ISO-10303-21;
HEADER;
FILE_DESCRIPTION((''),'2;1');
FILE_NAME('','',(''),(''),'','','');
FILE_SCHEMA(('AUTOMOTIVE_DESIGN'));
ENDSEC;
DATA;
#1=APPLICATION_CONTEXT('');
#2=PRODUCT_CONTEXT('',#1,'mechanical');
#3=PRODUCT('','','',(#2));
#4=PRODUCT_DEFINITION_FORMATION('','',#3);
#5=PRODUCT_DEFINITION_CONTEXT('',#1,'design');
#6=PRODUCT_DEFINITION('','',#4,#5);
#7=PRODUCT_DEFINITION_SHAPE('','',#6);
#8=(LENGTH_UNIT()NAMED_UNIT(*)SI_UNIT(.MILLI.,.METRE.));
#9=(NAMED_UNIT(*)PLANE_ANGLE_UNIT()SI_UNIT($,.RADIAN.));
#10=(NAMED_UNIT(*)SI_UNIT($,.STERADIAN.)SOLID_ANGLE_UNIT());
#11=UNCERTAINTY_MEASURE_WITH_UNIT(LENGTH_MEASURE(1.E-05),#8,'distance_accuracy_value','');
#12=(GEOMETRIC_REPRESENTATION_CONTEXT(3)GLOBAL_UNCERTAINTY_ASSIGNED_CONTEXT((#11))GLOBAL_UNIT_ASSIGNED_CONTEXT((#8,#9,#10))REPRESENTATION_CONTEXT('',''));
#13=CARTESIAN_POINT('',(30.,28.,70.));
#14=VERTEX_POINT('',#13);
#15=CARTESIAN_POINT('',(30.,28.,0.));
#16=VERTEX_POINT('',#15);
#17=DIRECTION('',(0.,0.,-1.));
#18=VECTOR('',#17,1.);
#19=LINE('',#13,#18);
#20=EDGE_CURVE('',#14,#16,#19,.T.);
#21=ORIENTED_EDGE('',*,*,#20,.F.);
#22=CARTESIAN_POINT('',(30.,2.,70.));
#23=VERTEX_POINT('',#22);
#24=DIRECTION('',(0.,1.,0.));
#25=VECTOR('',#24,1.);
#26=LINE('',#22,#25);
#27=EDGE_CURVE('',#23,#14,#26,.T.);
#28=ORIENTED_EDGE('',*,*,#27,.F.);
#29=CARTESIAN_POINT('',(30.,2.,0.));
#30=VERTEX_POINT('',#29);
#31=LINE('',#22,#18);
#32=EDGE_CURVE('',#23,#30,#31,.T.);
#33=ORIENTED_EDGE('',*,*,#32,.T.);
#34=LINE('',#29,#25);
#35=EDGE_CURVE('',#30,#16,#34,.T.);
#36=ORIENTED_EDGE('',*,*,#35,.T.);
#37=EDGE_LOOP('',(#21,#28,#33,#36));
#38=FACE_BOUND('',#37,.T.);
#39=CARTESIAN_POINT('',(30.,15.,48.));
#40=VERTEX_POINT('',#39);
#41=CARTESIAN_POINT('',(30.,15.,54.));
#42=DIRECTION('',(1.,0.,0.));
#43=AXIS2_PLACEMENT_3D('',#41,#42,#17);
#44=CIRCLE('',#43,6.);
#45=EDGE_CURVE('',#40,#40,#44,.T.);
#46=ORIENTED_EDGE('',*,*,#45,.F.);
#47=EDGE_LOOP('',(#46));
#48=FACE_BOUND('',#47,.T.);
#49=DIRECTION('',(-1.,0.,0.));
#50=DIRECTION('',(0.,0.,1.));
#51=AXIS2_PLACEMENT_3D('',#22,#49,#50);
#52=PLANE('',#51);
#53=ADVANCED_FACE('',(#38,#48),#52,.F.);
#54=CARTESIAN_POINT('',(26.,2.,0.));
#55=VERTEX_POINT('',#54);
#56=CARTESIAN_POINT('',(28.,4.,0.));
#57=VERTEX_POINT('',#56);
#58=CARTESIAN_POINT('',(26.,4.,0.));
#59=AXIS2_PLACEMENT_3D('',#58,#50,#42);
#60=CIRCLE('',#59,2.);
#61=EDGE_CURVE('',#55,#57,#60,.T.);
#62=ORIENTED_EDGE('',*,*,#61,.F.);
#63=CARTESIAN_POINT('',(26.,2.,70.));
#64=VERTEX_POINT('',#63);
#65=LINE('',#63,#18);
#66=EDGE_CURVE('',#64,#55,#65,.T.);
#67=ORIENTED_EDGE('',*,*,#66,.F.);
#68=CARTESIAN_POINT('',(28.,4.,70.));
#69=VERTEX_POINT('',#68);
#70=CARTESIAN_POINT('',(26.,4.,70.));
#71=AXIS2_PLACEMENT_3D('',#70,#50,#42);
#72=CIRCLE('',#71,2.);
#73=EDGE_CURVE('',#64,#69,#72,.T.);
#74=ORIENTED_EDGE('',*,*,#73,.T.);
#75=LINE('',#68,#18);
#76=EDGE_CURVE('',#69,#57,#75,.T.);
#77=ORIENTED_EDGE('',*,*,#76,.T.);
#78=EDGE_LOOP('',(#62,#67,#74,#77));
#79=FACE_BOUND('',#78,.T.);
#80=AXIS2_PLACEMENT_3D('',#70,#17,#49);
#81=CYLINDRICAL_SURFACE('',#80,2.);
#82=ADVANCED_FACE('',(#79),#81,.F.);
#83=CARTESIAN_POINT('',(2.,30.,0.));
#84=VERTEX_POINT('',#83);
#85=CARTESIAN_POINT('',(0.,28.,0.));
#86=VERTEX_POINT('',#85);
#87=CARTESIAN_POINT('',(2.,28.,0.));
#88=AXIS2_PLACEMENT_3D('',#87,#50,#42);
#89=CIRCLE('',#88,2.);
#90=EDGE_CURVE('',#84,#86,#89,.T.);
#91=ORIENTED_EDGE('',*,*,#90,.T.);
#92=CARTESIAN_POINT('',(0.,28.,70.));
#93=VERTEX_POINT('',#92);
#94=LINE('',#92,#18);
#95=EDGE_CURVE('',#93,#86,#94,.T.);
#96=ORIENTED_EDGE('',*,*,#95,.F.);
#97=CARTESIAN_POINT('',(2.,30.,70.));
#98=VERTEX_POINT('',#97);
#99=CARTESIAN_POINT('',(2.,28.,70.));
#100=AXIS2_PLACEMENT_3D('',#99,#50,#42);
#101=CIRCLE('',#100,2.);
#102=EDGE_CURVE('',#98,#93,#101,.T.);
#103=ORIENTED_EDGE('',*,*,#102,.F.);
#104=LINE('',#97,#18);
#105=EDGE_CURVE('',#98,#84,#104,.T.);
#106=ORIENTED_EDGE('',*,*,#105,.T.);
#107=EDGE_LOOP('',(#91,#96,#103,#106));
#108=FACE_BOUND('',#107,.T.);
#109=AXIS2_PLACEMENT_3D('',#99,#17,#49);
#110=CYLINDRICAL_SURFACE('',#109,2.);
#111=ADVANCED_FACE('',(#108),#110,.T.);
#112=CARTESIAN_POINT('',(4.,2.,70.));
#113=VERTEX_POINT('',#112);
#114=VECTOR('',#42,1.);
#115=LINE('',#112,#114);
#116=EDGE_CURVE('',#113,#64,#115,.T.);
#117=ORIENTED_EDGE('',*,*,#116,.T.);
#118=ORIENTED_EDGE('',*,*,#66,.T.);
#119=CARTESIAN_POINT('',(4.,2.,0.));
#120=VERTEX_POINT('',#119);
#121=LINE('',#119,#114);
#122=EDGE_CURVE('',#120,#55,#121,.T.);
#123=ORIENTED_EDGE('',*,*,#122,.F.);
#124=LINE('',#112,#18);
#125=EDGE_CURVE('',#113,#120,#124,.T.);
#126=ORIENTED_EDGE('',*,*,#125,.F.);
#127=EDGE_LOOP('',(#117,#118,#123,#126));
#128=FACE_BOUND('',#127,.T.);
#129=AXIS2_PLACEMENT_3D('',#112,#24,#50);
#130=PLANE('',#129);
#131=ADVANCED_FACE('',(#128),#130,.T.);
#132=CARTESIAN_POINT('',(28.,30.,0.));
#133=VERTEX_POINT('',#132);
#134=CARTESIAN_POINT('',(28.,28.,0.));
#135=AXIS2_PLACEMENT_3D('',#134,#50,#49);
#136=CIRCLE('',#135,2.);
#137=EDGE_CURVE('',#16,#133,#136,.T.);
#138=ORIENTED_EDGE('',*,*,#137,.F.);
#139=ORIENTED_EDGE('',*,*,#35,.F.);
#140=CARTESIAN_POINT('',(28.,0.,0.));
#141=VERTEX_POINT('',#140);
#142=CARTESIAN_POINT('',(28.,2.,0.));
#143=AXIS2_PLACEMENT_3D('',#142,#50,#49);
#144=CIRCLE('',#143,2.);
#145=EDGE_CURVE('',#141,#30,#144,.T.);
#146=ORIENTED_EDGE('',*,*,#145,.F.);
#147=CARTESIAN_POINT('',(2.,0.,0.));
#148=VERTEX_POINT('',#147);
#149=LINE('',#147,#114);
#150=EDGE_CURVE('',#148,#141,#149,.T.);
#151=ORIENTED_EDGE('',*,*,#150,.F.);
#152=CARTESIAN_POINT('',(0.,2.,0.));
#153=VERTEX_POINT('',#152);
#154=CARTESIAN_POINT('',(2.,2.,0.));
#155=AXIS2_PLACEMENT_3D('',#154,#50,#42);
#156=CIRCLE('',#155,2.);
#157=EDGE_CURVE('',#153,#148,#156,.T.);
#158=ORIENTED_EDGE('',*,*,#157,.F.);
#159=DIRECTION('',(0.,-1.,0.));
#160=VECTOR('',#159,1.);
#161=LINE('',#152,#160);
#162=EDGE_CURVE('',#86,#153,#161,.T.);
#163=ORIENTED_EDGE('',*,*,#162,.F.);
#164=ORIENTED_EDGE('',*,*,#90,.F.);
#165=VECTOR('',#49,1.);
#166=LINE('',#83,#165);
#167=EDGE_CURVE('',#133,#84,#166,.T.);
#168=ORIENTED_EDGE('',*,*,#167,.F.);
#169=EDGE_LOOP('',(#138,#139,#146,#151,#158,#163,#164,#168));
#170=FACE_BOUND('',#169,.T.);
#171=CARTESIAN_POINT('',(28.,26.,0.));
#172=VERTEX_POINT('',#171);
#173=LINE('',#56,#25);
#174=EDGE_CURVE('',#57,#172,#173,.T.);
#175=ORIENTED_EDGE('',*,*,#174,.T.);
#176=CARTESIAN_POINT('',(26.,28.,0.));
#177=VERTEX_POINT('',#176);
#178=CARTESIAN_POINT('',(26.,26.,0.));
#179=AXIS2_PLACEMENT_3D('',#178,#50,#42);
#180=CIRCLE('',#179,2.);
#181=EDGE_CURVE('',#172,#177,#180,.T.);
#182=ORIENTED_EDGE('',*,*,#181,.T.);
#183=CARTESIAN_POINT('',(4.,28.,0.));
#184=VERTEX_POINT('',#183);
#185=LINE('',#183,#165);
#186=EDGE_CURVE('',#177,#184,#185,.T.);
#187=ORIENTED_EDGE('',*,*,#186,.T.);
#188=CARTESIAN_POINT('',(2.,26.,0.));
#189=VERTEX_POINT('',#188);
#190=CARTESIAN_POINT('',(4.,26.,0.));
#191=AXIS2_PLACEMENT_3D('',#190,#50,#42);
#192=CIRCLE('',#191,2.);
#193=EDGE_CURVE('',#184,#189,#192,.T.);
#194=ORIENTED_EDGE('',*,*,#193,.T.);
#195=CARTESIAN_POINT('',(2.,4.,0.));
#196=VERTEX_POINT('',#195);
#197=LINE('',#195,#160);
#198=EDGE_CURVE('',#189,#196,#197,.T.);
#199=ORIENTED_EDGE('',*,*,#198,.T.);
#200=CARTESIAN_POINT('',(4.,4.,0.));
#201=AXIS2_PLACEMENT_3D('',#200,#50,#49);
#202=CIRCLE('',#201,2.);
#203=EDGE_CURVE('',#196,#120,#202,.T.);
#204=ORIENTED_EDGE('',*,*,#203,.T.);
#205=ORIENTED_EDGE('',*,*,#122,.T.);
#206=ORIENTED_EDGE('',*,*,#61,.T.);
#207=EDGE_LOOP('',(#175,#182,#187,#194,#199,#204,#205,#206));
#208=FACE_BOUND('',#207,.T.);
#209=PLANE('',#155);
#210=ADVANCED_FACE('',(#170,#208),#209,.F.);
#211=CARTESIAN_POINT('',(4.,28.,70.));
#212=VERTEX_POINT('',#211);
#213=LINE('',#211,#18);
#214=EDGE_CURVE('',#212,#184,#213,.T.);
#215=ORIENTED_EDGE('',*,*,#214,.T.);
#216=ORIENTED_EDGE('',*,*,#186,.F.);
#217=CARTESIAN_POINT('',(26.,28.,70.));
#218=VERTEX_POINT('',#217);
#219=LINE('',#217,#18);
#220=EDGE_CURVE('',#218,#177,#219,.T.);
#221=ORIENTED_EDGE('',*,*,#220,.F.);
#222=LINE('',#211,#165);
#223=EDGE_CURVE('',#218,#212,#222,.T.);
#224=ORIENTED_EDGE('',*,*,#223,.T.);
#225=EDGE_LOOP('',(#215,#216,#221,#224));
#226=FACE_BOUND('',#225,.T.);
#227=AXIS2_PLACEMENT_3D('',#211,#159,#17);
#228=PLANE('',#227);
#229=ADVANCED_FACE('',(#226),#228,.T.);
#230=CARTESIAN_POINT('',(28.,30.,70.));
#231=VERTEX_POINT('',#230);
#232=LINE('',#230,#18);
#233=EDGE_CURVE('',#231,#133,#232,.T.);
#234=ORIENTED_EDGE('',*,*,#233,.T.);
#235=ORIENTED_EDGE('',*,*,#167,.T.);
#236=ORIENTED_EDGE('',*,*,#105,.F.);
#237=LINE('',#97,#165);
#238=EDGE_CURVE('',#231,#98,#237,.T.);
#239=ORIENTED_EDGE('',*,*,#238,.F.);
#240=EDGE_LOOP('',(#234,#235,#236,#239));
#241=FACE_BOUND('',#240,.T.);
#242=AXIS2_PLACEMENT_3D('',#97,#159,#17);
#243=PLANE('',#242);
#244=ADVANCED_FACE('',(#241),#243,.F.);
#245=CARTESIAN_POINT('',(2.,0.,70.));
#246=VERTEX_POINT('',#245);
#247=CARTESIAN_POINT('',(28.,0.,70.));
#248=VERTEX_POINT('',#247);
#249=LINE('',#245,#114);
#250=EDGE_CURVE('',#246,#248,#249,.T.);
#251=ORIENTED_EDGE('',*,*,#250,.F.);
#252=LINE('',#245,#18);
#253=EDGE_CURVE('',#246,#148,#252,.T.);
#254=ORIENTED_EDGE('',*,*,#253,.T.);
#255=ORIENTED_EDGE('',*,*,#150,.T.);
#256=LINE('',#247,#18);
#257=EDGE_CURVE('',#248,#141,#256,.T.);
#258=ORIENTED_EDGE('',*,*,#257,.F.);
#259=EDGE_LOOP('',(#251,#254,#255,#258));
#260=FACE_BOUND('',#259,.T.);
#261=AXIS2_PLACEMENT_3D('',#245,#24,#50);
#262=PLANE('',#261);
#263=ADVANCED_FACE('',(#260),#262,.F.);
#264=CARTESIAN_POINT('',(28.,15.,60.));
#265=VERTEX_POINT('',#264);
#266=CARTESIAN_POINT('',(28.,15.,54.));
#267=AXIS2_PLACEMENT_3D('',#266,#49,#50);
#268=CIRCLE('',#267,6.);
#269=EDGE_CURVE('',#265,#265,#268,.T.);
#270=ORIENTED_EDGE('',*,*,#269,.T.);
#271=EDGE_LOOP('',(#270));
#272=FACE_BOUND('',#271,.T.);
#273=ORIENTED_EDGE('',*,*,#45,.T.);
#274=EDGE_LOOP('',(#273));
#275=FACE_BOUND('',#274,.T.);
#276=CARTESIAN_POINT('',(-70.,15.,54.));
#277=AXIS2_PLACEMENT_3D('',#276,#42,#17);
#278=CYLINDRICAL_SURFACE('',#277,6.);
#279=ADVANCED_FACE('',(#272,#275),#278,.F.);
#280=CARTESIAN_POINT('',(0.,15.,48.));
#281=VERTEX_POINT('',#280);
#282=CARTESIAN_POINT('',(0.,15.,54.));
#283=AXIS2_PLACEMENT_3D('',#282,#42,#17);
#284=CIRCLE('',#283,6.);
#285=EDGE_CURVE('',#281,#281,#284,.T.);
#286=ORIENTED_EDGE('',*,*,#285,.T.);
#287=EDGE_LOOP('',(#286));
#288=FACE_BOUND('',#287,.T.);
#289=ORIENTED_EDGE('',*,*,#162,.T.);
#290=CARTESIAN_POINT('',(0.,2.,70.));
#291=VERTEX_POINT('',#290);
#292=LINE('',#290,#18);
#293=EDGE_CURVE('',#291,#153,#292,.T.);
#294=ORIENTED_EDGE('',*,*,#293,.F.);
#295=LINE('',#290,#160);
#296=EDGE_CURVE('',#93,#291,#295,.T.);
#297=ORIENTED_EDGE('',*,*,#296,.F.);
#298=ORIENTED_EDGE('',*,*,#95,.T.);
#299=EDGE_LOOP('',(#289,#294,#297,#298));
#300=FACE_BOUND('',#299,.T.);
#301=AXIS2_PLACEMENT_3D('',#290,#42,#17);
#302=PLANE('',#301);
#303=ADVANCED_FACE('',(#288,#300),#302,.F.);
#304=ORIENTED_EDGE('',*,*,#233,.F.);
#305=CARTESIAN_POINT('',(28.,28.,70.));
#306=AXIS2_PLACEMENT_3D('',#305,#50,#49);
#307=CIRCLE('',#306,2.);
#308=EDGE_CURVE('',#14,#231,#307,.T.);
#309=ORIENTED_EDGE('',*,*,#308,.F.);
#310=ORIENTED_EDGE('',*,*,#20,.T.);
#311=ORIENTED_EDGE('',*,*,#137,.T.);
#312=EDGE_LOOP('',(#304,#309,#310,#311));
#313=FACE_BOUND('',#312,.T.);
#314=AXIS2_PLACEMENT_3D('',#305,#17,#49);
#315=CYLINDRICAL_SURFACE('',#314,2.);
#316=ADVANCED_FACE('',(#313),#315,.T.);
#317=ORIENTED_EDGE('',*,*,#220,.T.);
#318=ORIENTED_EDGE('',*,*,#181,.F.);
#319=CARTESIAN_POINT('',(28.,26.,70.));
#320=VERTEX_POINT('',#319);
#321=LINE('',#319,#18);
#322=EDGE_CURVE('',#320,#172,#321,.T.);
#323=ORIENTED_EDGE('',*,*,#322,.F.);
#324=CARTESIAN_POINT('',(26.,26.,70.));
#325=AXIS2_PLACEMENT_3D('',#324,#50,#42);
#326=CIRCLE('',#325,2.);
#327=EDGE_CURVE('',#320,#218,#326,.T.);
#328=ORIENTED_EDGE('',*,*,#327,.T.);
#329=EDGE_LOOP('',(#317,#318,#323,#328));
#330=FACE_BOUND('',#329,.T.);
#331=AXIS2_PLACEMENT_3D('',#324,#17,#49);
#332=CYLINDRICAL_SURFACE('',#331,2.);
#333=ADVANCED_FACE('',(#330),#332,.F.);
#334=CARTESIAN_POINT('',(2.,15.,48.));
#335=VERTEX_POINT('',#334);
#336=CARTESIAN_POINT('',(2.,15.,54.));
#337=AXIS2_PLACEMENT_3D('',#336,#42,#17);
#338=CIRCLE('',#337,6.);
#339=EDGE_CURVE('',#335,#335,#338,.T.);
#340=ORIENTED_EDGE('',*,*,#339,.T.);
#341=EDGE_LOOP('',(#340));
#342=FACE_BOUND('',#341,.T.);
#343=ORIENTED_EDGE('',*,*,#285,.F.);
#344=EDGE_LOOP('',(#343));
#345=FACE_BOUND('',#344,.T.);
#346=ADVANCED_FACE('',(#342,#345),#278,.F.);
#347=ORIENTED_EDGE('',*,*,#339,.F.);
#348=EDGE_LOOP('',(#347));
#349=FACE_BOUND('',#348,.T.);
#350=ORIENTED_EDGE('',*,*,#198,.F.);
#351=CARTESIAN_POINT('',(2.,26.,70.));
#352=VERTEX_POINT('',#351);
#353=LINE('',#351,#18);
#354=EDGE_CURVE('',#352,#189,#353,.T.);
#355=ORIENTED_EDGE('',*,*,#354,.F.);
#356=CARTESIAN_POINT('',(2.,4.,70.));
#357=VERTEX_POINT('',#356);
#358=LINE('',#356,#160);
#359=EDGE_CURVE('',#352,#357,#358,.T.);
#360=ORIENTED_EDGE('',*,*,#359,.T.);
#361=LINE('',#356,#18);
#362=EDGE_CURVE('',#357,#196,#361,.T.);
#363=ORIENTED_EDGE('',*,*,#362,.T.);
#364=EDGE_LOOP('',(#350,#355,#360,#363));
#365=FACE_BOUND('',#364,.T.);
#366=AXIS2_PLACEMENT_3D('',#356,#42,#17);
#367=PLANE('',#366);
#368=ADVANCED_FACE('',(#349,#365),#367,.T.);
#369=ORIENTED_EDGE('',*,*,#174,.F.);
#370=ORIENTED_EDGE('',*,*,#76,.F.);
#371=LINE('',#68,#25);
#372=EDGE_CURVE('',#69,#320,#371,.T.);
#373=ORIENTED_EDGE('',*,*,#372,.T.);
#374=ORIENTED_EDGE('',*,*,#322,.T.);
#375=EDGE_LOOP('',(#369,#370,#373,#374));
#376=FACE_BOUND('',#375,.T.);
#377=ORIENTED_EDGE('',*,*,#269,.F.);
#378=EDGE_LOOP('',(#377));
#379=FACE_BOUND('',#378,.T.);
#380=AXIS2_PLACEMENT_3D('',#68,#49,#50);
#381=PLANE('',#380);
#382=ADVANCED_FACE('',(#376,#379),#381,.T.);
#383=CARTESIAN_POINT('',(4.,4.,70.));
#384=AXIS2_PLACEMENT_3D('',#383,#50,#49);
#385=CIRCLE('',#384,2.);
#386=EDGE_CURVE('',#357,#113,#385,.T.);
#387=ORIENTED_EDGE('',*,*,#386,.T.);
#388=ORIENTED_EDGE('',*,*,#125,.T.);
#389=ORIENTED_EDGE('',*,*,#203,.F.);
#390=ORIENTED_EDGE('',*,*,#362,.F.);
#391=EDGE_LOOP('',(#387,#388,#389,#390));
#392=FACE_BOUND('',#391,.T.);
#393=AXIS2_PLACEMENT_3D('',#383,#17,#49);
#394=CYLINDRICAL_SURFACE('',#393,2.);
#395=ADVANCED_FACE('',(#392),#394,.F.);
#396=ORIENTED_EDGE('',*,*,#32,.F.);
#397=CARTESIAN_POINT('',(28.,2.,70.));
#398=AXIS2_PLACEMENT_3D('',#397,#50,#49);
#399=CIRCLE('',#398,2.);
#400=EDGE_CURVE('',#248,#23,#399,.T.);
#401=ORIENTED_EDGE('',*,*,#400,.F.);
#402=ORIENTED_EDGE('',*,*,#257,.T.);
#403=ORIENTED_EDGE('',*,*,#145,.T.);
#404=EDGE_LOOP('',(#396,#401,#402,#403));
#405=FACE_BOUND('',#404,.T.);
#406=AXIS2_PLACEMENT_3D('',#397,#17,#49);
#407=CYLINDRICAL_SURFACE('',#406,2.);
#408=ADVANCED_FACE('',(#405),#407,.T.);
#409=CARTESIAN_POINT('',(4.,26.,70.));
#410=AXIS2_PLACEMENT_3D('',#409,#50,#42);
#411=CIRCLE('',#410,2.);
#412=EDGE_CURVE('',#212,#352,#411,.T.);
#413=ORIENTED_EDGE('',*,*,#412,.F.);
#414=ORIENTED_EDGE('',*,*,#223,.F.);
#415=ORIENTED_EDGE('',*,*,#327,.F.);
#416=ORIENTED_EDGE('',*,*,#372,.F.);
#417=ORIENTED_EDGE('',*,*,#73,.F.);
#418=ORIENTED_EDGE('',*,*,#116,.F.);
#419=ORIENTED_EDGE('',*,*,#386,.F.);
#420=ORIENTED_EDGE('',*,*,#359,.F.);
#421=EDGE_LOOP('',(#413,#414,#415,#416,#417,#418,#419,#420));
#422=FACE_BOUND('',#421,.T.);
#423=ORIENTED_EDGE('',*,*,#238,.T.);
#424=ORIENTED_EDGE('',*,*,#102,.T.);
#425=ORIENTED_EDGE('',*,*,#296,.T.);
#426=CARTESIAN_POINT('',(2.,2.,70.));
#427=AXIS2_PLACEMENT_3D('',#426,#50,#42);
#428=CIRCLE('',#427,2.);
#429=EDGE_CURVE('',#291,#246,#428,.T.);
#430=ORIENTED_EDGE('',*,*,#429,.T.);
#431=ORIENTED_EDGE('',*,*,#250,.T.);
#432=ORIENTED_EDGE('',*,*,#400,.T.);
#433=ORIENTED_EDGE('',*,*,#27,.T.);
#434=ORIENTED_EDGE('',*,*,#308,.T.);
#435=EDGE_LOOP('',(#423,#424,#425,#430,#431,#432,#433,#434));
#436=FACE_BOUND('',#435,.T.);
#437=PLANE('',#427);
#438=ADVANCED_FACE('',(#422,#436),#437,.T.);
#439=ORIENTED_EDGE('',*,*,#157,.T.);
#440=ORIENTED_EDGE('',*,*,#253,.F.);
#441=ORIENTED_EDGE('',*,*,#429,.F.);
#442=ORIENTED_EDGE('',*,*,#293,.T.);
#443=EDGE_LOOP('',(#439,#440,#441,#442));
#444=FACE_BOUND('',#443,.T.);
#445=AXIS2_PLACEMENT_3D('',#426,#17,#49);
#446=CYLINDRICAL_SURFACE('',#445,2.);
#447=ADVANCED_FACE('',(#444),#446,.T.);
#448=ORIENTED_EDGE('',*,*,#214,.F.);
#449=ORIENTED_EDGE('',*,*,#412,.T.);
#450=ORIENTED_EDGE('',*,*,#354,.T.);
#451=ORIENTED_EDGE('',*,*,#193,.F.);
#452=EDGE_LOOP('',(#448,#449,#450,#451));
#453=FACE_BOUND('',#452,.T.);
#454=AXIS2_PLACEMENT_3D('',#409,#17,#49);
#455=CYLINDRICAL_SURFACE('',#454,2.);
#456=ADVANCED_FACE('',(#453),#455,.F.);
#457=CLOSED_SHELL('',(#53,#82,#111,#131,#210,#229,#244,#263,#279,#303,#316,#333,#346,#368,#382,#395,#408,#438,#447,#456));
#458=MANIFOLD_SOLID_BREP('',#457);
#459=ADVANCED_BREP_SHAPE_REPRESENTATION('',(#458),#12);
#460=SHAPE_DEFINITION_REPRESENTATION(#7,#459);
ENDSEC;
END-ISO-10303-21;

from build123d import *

# Parameters (mm, degrees)
DODANIE_WYCI_GNI_CIE2_DEPTH = 70
SZKIC2_R                    = 6
WYTNIJ_WYCI_GNI_CIE1_DEPTH  = 100


with BuildPart() as part:
    # Szkic1 → Dodanie-wyciągnięcie2 (new body)
    with BuildSketch(Plane.XY):
        with BuildLine():
            Line((2, 0), (28, 0))
            ThreePointArc((28, 0), (29.414213562, 0.585786438), (30, 2))
            Line((30, 2), (30, 28))
            ThreePointArc((30, 28), (29.414213562, 29.414213562), (28, 30))
            Line((28, 30), (2, 30))
            ThreePointArc((2, 30), (0.585786438, 29.414213562), (0, 28))
            Line((0, 28), (0, 2))
            ThreePointArc((0, 2), (0.585786438, 0.585786438), (2, 0))
        make_face()
        with BuildLine():
            Line((4, 28), (26, 28))
            ThreePointArc((26, 28), (27.414213562, 27.414213562), (28, 26))
            Line((28, 26), (28, 4))
            ThreePointArc((28, 4), (27.414213562, 2.585786438), (26, 2))
            Line((26, 2), (4, 2))
            ThreePointArc((4, 2), (2.585786438, 2.585786438), (2, 4))
            Line((2, 4), (2, 26))
            ThreePointArc((2, 26), (2.585786438, 27.414213562), (4, 28))
        make_face(mode=Mode.SUBTRACT)
    extrude(amount=DODANIE_WYCI_GNI_CIE2_DEPTH)

    # Szkic2 → Wytnij-wyciągnięcie1 (cut)
    with BuildSketch(Plane(origin=(30, 0, 0), x_dir=(0, 0, -1), z_dir=(1, 0, 0))):
        with Locations((-54, 15)):
            Circle(SZKIC2_R)
    extrude(amount=-WYTNIJ_WYCI_GNI_CIE1_DEPTH, mode=Mode.SUBTRACT)


solid = part.part
